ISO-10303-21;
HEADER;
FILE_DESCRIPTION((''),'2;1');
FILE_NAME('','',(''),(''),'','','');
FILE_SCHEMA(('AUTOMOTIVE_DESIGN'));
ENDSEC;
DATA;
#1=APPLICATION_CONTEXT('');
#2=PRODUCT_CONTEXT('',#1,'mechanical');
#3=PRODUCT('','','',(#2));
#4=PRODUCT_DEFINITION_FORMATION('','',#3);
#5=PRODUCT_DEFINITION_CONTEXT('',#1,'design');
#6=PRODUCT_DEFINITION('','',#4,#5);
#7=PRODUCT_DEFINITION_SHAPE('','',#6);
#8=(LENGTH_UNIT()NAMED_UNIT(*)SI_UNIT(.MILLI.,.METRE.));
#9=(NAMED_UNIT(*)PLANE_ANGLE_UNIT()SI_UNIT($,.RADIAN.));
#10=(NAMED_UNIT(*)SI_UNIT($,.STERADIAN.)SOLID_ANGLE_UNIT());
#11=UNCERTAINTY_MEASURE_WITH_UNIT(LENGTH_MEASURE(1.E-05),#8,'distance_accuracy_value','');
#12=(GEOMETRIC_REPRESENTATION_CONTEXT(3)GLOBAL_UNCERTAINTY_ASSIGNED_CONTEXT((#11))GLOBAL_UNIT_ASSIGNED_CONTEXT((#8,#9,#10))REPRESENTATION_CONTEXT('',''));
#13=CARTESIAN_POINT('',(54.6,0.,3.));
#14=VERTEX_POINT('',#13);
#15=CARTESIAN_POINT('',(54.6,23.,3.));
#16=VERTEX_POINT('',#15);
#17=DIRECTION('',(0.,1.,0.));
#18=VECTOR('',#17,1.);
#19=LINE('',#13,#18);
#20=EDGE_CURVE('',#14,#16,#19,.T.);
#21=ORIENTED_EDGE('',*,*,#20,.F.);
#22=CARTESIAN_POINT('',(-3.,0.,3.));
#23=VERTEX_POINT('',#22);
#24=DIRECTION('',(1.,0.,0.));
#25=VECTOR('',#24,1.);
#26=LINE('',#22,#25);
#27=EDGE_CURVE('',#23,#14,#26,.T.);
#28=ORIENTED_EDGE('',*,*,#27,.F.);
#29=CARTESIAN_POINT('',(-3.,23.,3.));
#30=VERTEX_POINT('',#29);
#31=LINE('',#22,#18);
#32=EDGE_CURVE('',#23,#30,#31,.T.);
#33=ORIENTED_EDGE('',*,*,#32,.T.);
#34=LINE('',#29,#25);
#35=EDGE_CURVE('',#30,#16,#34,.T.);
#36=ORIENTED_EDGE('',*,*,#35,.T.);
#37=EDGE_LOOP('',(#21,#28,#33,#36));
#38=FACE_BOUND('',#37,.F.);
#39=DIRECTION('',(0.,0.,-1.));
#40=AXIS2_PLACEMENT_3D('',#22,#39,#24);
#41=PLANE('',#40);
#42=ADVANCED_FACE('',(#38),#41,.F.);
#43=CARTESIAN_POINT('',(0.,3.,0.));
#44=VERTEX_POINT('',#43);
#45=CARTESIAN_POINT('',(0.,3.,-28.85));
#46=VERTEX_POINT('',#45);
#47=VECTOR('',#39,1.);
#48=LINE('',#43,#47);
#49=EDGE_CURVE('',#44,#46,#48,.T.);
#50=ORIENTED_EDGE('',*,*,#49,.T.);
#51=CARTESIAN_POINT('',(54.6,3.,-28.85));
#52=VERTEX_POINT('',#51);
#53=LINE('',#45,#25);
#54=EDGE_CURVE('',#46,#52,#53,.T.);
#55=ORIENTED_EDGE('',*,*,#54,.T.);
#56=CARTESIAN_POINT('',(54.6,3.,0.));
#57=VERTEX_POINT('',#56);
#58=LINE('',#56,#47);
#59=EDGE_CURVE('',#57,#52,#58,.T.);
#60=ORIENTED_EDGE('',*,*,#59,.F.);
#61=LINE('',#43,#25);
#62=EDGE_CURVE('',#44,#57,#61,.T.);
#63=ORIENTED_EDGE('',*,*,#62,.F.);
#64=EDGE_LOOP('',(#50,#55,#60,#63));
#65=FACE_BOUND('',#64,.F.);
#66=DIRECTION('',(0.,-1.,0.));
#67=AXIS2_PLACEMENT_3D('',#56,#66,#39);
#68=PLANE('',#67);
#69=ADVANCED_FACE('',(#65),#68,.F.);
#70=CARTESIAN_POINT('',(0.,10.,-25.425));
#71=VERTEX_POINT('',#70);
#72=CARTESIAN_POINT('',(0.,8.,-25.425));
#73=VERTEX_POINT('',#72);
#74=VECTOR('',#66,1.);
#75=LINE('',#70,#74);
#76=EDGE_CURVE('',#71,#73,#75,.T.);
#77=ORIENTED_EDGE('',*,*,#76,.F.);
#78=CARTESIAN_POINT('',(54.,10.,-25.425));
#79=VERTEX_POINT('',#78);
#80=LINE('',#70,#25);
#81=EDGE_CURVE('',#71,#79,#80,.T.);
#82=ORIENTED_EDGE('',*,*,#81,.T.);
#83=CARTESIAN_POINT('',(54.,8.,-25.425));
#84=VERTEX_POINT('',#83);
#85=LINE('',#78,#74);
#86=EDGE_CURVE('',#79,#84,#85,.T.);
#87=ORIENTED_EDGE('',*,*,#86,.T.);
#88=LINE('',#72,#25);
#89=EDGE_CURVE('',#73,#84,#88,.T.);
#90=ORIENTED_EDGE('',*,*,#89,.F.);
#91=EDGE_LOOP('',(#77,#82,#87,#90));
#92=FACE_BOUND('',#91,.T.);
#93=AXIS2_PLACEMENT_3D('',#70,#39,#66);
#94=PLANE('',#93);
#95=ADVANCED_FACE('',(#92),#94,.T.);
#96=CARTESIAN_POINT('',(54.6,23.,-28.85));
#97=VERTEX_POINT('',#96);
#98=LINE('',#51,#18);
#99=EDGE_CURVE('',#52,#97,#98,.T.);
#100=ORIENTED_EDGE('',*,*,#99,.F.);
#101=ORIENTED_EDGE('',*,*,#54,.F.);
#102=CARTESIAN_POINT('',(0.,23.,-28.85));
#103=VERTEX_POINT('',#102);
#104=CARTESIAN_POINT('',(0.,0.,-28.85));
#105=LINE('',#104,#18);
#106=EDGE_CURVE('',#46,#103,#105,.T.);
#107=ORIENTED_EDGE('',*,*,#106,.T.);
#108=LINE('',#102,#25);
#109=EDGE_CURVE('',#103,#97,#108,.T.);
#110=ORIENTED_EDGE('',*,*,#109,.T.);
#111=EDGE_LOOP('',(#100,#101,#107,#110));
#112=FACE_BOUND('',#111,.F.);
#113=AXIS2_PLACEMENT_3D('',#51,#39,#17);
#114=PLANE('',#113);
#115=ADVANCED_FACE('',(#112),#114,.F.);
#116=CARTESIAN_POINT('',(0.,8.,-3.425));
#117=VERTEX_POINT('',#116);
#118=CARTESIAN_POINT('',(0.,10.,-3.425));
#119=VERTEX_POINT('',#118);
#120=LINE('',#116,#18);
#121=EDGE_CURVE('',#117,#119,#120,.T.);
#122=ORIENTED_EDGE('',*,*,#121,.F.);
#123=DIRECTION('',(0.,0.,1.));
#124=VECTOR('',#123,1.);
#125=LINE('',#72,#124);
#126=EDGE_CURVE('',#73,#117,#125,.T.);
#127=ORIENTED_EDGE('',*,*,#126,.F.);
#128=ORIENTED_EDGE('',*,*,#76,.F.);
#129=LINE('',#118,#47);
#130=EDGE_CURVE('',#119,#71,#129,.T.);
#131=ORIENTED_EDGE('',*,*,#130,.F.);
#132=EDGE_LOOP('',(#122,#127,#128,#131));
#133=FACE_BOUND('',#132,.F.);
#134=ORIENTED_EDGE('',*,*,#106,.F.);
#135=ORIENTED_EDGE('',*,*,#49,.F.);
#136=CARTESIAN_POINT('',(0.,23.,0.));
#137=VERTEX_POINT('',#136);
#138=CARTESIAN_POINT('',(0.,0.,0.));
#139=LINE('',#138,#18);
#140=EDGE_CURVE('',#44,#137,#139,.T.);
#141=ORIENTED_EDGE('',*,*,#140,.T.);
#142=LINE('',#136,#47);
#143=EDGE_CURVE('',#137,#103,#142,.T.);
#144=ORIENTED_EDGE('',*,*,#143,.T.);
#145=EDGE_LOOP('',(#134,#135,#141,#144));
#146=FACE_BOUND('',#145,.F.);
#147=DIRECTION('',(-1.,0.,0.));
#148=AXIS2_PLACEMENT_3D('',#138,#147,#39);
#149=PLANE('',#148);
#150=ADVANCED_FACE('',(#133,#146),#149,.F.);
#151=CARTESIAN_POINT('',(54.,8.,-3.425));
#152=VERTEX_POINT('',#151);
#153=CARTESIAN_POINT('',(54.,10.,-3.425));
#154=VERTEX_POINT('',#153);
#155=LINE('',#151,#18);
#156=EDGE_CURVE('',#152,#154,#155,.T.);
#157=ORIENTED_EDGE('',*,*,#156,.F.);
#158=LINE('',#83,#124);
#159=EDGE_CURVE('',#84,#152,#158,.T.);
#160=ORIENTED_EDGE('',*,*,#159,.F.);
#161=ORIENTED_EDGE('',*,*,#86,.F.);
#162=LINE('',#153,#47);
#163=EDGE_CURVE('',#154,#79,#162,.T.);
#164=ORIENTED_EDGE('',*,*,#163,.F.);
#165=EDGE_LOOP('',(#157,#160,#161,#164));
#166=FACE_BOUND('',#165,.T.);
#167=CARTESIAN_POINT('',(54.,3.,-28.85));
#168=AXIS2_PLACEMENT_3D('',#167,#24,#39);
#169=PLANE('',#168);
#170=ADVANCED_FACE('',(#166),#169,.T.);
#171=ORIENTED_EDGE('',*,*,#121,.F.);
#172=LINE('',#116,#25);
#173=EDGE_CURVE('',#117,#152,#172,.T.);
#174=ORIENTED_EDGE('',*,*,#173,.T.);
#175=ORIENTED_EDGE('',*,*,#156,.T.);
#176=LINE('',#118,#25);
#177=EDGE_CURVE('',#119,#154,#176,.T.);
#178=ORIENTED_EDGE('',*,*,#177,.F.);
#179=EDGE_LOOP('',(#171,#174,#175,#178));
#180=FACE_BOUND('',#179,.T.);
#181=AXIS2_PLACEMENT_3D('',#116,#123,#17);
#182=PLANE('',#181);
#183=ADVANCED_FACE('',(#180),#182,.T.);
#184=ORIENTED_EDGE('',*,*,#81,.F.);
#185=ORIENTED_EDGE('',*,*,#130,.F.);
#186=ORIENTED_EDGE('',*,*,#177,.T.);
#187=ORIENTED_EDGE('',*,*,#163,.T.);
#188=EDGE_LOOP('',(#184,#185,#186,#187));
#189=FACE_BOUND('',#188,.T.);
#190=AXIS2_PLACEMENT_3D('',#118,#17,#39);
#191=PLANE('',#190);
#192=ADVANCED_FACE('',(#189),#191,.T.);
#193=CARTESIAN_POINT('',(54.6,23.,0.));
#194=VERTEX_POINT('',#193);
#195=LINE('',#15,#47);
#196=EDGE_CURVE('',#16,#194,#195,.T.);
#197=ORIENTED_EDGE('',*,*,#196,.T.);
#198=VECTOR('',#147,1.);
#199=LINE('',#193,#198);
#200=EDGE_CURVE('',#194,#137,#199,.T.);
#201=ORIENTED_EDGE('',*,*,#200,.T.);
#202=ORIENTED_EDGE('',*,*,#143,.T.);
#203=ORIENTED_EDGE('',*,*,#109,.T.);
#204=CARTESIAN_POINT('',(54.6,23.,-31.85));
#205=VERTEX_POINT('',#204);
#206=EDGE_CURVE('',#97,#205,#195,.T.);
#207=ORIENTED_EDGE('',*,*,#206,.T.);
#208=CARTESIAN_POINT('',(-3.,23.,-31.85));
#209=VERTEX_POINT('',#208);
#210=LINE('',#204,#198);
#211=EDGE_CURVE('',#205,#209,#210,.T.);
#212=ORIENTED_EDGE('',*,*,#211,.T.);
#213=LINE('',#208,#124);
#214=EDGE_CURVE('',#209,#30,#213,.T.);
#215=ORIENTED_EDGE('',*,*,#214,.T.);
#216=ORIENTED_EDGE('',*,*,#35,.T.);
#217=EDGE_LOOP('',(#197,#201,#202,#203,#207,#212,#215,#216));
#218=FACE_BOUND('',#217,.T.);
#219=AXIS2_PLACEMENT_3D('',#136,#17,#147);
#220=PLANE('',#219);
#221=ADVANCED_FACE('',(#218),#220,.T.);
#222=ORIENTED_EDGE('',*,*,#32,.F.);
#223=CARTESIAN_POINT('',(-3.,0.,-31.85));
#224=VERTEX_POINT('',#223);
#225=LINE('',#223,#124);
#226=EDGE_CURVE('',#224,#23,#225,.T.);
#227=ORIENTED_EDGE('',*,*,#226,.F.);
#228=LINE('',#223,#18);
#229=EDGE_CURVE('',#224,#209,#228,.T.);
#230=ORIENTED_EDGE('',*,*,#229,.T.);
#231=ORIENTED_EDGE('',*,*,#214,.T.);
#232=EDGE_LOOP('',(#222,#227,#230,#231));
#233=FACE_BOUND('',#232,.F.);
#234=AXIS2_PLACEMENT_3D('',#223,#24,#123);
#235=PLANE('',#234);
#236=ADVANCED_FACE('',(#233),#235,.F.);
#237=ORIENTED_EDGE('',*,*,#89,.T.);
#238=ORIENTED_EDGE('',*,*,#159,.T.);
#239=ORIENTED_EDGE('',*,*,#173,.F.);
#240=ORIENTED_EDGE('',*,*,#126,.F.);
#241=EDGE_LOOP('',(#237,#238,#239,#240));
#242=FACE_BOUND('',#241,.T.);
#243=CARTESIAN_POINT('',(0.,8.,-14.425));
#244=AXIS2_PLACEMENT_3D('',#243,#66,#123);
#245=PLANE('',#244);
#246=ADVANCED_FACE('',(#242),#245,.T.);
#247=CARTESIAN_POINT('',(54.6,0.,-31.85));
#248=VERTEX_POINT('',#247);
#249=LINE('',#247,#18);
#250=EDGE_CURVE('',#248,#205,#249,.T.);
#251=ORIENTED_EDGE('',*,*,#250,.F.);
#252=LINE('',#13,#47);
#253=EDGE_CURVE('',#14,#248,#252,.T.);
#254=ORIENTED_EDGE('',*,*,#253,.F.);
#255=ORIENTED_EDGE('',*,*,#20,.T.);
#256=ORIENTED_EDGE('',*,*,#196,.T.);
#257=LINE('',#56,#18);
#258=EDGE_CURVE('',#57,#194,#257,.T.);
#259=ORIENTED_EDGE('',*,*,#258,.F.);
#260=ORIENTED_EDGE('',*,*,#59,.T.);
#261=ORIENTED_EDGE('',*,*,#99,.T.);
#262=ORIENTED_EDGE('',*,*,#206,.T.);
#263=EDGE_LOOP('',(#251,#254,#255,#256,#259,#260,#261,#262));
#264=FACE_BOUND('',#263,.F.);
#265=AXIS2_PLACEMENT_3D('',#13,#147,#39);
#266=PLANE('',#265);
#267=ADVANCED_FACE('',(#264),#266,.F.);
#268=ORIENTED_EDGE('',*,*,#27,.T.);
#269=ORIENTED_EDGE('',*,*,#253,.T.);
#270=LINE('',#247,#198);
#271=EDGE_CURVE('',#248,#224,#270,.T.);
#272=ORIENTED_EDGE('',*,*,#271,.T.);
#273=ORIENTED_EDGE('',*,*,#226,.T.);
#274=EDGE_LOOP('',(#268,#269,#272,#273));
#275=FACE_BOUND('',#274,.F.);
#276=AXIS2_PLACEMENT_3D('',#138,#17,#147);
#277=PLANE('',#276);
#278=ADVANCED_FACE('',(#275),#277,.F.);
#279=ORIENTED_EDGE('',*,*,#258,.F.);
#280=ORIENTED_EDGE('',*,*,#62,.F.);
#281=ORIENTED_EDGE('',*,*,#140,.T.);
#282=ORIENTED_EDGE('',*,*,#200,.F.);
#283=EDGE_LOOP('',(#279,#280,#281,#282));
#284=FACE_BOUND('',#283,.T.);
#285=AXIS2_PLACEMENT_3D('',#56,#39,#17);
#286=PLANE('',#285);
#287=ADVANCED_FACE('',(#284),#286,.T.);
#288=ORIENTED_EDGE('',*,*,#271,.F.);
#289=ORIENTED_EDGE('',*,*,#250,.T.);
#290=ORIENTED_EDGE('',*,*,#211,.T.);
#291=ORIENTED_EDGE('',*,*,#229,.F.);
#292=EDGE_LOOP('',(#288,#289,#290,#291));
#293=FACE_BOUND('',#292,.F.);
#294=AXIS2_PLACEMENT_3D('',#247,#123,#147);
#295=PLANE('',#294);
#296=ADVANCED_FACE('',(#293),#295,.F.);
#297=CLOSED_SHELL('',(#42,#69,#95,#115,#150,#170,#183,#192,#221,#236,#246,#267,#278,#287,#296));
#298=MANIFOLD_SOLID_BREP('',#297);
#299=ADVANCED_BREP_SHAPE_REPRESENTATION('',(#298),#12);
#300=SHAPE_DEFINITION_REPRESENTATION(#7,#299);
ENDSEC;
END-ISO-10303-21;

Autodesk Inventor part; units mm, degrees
ref_plane "YZ Plane" through (0, 0, 0) normal (1, 0, 0) x (0, 1, 0)
ref_plane "XZ Plane" through (0, 0, 0) normal (0, 1, 0) x (-1, 0, 0)
ref_plane "XY Plane" through (0, 0, 0) normal (0, 0, 1) x (1, 0, 0)
sketch "Sketch1" plane through (0, 0, 0) normal (0, 1, 0) x (-1, 0, 0)
  line L0 (0, 0) -> (0, -28.85)
  line L1 (0, -28.85) -> (-51.6, -28.85)
  line L2 (0, 0) -> (-51.6, 0)
  line L3 (-51.6, 0) -> (-51.6, -28.85)
  line L4 (-54.6, -31.85) -> (3, -31.85)
  line L5 (3, -31.85) -> (3, 3)
  line L6 (3, 3) -> (-54.6, 3)
  line L7 (-54.6, 3) -> (-54.6, -31.85)
  dimension "d0" = 28.85
  dimension "d1" = 51.6
  dimension "d2" = 3
extrude "Extrusion1" add sketch "Sketch1" along normal blind 3 contours L0 L1 L3 L2
extrude "Extrusion2" add sketch "Sketch1" along normal blind 23
sketch "Sketch2" plane through (54.6, 0, 3) normal (1, 0, 0) x (0, 0, -1)
  line L0 (3, 3) -> (3, 23) projected
  line L1 (3, 23) -> (3, 3)
  line L2 (31.85, 3) -> (31.85, 23) projected
  line L3 (3, 3) -> (31.85, 3)
  line L4 (31.85, 3) -> (31.85, 23)
  line L5 (31.85, 23) -> (3, 23)
  point P0 (3, 0)
extrude "Extrusion3" cut sketch "Sketch2" against normal blind 23
sketch "Sketch3" plane through (0, 3, -28.85) normal (1, 0, 0) x (0, 0, -1)
  line L0 (0, 0) -> (-28.85, 0) projected
  line L1 (-14.425, 0) -> (-14.425, 5)
  line L2 (-14.425, 5) -> (-3.425, 5)
  line L3 (-14.425, 5) -> (-25.425, 5)
  line L4 (-25.425, 5) -> (-25.425, 7)
  line L5 (-25.425, 7) -> (-3.425, 7)
  line L6 (-3.425, 7) -> (-3.425, 5)
  point P0 (-28.85, -3)
  dimension "d9" = 5
  dimension "d10" = 11
  dimension "d11" = 11
  dimension "d12" = 2
extrude "Extrusion4" add sketch "Sketch3" along normal blind 54
properties part number "DudukanESP32"
